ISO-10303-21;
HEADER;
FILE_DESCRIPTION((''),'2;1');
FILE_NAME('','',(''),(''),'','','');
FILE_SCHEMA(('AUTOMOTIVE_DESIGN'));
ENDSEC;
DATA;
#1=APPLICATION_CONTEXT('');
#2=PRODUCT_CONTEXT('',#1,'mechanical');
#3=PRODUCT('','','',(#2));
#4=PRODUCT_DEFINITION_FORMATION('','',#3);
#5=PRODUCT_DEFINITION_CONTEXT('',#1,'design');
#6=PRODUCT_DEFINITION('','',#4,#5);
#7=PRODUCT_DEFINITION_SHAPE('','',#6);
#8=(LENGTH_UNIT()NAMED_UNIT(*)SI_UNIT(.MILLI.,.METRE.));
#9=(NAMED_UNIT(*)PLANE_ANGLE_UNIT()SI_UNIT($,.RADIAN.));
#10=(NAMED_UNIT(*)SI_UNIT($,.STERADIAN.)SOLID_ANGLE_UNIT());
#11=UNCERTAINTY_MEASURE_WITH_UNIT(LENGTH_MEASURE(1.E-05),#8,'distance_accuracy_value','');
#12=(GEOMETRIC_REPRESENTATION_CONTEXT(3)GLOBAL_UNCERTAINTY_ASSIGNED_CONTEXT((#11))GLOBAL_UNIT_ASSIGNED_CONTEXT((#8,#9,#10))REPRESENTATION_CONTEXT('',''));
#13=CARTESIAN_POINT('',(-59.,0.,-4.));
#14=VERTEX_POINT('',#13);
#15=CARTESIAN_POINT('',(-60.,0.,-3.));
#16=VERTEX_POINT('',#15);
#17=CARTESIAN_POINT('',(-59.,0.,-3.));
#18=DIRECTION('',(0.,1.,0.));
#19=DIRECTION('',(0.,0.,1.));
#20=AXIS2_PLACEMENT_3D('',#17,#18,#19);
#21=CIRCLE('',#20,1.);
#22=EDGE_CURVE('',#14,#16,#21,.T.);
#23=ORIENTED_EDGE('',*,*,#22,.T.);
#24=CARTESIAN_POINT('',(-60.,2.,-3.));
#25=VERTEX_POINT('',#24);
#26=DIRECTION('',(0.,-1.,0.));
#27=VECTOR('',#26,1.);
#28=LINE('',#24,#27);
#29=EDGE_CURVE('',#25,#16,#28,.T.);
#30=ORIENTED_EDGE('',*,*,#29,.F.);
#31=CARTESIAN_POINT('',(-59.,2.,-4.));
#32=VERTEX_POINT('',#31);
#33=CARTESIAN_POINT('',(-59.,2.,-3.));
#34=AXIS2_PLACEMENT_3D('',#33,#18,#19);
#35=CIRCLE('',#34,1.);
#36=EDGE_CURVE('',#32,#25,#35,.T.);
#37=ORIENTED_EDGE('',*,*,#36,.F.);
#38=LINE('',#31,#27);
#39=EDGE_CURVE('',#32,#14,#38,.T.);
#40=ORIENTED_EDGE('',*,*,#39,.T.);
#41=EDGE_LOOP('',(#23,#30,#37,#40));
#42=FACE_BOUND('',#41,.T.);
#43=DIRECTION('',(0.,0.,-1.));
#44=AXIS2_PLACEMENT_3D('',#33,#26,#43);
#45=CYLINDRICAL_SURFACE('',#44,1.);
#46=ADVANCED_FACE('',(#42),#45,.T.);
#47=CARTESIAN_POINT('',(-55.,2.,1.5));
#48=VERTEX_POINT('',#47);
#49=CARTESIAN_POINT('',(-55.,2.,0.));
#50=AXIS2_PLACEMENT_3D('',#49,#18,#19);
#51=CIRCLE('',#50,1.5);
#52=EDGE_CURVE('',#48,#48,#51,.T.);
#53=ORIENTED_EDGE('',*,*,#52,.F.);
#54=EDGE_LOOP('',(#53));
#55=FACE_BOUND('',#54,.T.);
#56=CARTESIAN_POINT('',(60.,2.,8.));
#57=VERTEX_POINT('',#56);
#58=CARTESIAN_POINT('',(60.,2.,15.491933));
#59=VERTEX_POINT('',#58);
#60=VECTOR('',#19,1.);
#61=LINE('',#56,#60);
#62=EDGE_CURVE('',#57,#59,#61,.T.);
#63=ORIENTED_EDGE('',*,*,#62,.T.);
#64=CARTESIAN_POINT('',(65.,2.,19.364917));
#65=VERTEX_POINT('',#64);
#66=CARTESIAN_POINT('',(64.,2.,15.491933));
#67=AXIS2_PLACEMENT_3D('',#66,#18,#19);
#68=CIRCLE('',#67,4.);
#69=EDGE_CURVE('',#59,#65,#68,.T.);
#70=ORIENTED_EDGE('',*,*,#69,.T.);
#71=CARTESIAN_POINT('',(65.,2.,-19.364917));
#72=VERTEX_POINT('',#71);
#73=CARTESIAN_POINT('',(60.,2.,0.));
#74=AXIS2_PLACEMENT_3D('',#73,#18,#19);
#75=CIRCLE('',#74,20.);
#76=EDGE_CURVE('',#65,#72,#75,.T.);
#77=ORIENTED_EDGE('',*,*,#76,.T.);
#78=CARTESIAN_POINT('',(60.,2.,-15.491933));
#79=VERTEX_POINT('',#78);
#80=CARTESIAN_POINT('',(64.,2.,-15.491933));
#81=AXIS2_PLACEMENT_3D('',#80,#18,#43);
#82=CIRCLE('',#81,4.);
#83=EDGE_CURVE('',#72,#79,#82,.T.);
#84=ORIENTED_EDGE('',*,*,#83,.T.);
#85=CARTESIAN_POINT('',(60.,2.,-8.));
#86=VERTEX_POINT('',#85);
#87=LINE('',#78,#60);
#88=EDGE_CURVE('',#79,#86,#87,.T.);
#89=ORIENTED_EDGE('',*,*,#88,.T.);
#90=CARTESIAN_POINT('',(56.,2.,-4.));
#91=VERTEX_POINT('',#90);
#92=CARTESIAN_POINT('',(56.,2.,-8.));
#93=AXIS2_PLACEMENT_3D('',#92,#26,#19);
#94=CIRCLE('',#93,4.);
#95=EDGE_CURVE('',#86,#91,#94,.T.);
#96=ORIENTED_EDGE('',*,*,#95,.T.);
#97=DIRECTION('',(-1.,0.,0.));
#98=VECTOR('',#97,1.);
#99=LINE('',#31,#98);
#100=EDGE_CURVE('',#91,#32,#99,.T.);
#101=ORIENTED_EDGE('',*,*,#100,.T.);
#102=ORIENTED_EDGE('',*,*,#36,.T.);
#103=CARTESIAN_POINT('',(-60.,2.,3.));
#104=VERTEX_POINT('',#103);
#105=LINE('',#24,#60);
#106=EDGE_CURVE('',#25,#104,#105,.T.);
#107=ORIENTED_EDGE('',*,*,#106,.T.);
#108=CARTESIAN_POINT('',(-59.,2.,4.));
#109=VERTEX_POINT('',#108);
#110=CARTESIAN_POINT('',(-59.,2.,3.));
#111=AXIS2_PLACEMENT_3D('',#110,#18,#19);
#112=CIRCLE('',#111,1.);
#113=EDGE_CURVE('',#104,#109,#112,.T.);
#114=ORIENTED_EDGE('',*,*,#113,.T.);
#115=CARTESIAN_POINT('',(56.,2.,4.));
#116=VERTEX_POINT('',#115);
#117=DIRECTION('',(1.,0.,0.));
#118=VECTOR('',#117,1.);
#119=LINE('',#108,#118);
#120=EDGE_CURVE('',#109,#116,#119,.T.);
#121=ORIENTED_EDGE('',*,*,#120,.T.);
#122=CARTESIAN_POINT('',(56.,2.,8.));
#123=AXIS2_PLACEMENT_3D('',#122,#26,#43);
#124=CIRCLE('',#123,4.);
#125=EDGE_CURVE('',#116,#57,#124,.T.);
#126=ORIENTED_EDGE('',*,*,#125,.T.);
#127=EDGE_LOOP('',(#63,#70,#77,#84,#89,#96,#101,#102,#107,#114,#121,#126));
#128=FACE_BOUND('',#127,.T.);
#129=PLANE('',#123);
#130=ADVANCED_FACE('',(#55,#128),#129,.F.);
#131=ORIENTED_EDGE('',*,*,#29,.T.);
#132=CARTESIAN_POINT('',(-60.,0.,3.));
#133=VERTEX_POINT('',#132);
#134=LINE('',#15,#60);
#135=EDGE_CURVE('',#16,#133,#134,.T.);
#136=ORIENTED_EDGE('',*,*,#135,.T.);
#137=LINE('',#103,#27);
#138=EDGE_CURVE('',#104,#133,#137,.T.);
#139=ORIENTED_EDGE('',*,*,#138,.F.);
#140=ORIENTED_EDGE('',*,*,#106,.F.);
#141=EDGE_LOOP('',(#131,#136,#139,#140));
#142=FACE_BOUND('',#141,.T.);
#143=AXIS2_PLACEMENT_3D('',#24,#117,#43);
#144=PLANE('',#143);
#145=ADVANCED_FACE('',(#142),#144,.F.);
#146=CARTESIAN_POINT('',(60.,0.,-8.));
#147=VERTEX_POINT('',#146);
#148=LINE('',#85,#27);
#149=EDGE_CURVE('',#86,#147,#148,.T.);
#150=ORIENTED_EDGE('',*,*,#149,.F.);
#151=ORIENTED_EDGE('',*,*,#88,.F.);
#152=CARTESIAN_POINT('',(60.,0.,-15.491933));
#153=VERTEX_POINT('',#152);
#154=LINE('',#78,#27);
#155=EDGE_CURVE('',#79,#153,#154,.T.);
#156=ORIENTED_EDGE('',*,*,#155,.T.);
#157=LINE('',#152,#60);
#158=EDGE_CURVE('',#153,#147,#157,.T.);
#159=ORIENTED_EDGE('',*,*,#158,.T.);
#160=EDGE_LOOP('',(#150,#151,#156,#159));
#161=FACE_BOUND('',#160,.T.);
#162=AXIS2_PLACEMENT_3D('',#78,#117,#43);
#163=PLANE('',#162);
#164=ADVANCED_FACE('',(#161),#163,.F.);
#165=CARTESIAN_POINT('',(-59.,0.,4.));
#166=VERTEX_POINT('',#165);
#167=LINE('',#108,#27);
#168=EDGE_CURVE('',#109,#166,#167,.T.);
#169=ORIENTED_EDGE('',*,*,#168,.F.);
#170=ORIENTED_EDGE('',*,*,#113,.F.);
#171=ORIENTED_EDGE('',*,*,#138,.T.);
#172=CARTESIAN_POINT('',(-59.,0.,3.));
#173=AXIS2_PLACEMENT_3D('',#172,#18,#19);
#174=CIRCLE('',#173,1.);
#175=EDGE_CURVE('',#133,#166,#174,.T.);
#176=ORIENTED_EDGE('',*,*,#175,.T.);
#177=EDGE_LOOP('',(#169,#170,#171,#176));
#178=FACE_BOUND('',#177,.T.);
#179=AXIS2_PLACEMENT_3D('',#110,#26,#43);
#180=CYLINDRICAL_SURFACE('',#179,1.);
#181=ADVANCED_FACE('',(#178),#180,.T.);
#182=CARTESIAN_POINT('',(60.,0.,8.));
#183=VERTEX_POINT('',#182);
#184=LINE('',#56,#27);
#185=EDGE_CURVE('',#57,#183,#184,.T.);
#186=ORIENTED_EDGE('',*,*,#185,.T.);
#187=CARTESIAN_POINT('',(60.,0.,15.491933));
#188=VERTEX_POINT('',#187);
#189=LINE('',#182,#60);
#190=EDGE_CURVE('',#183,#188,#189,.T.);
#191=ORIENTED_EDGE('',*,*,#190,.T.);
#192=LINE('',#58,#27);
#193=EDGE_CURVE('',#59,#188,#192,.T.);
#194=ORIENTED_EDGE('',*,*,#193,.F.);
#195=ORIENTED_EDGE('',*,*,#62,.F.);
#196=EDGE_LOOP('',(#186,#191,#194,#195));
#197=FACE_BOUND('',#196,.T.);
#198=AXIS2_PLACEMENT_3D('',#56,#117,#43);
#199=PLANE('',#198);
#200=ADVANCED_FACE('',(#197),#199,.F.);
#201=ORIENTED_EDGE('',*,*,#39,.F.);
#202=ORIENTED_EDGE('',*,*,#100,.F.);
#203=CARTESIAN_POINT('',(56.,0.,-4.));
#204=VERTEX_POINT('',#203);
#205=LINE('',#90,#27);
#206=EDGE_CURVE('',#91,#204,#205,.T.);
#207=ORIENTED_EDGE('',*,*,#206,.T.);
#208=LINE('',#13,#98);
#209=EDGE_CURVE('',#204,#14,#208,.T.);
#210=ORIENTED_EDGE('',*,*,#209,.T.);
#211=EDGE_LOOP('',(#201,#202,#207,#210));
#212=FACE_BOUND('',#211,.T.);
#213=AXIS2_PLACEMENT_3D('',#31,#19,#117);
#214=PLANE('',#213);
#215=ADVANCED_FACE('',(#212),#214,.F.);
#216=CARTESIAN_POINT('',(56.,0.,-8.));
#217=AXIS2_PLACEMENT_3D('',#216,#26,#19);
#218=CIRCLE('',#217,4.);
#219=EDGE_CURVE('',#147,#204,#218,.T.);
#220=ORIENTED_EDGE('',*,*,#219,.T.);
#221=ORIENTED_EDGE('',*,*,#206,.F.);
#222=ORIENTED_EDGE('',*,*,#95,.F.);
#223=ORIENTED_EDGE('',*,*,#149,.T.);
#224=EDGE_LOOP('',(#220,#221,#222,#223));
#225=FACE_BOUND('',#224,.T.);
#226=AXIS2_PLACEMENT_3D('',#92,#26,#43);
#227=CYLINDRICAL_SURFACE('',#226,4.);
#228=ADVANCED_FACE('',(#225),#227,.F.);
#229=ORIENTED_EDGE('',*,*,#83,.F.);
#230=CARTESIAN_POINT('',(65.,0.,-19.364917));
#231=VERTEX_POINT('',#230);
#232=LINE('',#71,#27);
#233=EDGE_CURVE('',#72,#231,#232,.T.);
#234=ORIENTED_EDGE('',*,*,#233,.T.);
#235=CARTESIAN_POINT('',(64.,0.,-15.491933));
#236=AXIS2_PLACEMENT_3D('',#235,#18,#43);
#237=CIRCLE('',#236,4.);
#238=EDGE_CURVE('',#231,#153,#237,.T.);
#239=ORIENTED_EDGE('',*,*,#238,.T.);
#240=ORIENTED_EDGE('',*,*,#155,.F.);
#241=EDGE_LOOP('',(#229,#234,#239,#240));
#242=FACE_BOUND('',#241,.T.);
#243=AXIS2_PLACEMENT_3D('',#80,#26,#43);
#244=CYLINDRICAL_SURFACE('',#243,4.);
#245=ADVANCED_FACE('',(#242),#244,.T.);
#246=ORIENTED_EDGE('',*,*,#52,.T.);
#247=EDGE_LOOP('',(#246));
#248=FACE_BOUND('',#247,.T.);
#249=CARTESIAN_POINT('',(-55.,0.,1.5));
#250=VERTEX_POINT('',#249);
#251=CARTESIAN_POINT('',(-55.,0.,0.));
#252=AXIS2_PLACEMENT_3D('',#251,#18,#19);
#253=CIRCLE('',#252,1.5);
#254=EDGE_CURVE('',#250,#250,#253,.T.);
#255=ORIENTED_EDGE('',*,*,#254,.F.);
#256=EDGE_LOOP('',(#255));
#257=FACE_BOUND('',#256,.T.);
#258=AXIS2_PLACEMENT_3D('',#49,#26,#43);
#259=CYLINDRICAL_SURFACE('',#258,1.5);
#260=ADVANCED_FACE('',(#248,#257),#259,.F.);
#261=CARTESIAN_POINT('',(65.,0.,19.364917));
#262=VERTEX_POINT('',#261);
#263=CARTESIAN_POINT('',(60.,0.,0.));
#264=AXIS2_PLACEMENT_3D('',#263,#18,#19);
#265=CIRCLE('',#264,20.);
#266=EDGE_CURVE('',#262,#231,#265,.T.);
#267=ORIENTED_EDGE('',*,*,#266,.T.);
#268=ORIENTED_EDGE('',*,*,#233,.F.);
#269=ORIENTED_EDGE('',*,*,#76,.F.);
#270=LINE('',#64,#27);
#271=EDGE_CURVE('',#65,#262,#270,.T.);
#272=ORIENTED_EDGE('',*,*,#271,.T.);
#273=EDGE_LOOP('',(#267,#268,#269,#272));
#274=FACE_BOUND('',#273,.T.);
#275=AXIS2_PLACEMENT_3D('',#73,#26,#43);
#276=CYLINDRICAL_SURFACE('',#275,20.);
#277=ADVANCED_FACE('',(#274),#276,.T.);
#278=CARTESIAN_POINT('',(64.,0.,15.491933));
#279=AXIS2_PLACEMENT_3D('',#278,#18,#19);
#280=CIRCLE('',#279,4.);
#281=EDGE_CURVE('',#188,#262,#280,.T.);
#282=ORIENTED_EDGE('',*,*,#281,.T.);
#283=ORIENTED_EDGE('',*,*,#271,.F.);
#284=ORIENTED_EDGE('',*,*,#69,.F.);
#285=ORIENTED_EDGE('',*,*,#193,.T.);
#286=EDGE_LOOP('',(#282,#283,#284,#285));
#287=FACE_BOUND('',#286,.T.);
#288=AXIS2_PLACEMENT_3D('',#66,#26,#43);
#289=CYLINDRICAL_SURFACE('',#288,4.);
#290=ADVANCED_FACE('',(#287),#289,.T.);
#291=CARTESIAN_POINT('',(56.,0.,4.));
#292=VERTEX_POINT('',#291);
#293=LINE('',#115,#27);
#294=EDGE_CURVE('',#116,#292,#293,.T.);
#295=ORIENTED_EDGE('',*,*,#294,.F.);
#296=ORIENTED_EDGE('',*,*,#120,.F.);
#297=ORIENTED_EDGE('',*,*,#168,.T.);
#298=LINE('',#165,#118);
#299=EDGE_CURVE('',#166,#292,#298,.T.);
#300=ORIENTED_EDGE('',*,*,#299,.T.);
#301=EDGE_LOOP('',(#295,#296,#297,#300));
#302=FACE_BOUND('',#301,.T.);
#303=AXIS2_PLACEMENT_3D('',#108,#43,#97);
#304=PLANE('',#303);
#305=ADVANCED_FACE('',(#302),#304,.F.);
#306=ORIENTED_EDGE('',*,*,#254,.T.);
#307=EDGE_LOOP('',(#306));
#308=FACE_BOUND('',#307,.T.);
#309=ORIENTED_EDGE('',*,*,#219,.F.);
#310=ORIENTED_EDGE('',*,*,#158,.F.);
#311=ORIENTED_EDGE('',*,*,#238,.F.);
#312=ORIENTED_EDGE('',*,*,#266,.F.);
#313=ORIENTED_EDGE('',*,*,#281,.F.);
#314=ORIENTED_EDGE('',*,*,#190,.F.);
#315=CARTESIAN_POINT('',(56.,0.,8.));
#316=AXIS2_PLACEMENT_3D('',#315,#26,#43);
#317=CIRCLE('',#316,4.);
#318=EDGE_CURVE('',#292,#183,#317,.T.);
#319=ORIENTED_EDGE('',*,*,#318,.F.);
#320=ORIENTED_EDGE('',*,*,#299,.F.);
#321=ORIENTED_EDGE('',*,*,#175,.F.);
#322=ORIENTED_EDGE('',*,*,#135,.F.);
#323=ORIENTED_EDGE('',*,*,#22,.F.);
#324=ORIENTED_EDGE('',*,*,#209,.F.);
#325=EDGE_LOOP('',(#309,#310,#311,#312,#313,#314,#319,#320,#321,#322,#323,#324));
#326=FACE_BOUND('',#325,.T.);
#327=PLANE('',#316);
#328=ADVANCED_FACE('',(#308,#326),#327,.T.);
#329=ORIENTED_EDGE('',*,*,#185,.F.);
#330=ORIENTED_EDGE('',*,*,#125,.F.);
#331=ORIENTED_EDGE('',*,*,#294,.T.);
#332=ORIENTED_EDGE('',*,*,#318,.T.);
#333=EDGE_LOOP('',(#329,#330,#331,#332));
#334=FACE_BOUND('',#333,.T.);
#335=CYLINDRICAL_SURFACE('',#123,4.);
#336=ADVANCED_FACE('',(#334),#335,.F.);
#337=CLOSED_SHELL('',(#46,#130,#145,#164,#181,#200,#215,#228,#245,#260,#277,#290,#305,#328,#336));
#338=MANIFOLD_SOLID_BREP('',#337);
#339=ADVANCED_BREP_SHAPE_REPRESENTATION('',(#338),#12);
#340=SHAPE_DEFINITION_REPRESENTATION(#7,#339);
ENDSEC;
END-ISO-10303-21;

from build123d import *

# Parameters (mm, degrees)
SKETCH1_R           = 1.5
BOSS_EXTRUDE1_DEPTH = 2


with BuildPart() as part:
    # Sketch1 → Boss-Extrude1 (new body)
    with BuildSketch(Plane(origin=(0, 0, 0), x_dir=(1, 0, 0), z_dir=(0, 1, 0))):
        with BuildLine():
            Line((60, 15.491933385), (60, 8))
            ThreePointArc((60, 8), (58.828427125, 5.171572875), (56, 4))
            Line((56, 4), (-59, 4))
            ThreePointArc((-59, 4), (-59.707106781, 3.707106781), (-60, 3))
            Line((-60, 3), (-60, -3))
            ThreePointArc((-60, -3), (-59.707106781, -3.707106781), (-59, -4))
            Line((-59, -4), (56, -4))
            ThreePointArc((56, -4), (58.828427125, -5.171572875), (60, -8))
            Line((60, -8), (60, -15.491933385))
            ThreePointArc((60, -15.491933385), (61.550510257, -18.654211045), (65, -19.364916731))
            ThreePointArc((65, -19.364916731), (80, 0), (65, 19.364916731))
            ThreePointArc((65, 19.364916731), (61.550510257, 18.654211045), (60, 15.491933385))
        make_face()
        with Locations(Location((-55, 0, 0), (0, 0, 270))):
            Circle(SKETCH1_R, mode=Mode.SUBTRACT)
    extrude(amount=BOSS_EXTRUDE1_DEPTH)


solid = part.part
